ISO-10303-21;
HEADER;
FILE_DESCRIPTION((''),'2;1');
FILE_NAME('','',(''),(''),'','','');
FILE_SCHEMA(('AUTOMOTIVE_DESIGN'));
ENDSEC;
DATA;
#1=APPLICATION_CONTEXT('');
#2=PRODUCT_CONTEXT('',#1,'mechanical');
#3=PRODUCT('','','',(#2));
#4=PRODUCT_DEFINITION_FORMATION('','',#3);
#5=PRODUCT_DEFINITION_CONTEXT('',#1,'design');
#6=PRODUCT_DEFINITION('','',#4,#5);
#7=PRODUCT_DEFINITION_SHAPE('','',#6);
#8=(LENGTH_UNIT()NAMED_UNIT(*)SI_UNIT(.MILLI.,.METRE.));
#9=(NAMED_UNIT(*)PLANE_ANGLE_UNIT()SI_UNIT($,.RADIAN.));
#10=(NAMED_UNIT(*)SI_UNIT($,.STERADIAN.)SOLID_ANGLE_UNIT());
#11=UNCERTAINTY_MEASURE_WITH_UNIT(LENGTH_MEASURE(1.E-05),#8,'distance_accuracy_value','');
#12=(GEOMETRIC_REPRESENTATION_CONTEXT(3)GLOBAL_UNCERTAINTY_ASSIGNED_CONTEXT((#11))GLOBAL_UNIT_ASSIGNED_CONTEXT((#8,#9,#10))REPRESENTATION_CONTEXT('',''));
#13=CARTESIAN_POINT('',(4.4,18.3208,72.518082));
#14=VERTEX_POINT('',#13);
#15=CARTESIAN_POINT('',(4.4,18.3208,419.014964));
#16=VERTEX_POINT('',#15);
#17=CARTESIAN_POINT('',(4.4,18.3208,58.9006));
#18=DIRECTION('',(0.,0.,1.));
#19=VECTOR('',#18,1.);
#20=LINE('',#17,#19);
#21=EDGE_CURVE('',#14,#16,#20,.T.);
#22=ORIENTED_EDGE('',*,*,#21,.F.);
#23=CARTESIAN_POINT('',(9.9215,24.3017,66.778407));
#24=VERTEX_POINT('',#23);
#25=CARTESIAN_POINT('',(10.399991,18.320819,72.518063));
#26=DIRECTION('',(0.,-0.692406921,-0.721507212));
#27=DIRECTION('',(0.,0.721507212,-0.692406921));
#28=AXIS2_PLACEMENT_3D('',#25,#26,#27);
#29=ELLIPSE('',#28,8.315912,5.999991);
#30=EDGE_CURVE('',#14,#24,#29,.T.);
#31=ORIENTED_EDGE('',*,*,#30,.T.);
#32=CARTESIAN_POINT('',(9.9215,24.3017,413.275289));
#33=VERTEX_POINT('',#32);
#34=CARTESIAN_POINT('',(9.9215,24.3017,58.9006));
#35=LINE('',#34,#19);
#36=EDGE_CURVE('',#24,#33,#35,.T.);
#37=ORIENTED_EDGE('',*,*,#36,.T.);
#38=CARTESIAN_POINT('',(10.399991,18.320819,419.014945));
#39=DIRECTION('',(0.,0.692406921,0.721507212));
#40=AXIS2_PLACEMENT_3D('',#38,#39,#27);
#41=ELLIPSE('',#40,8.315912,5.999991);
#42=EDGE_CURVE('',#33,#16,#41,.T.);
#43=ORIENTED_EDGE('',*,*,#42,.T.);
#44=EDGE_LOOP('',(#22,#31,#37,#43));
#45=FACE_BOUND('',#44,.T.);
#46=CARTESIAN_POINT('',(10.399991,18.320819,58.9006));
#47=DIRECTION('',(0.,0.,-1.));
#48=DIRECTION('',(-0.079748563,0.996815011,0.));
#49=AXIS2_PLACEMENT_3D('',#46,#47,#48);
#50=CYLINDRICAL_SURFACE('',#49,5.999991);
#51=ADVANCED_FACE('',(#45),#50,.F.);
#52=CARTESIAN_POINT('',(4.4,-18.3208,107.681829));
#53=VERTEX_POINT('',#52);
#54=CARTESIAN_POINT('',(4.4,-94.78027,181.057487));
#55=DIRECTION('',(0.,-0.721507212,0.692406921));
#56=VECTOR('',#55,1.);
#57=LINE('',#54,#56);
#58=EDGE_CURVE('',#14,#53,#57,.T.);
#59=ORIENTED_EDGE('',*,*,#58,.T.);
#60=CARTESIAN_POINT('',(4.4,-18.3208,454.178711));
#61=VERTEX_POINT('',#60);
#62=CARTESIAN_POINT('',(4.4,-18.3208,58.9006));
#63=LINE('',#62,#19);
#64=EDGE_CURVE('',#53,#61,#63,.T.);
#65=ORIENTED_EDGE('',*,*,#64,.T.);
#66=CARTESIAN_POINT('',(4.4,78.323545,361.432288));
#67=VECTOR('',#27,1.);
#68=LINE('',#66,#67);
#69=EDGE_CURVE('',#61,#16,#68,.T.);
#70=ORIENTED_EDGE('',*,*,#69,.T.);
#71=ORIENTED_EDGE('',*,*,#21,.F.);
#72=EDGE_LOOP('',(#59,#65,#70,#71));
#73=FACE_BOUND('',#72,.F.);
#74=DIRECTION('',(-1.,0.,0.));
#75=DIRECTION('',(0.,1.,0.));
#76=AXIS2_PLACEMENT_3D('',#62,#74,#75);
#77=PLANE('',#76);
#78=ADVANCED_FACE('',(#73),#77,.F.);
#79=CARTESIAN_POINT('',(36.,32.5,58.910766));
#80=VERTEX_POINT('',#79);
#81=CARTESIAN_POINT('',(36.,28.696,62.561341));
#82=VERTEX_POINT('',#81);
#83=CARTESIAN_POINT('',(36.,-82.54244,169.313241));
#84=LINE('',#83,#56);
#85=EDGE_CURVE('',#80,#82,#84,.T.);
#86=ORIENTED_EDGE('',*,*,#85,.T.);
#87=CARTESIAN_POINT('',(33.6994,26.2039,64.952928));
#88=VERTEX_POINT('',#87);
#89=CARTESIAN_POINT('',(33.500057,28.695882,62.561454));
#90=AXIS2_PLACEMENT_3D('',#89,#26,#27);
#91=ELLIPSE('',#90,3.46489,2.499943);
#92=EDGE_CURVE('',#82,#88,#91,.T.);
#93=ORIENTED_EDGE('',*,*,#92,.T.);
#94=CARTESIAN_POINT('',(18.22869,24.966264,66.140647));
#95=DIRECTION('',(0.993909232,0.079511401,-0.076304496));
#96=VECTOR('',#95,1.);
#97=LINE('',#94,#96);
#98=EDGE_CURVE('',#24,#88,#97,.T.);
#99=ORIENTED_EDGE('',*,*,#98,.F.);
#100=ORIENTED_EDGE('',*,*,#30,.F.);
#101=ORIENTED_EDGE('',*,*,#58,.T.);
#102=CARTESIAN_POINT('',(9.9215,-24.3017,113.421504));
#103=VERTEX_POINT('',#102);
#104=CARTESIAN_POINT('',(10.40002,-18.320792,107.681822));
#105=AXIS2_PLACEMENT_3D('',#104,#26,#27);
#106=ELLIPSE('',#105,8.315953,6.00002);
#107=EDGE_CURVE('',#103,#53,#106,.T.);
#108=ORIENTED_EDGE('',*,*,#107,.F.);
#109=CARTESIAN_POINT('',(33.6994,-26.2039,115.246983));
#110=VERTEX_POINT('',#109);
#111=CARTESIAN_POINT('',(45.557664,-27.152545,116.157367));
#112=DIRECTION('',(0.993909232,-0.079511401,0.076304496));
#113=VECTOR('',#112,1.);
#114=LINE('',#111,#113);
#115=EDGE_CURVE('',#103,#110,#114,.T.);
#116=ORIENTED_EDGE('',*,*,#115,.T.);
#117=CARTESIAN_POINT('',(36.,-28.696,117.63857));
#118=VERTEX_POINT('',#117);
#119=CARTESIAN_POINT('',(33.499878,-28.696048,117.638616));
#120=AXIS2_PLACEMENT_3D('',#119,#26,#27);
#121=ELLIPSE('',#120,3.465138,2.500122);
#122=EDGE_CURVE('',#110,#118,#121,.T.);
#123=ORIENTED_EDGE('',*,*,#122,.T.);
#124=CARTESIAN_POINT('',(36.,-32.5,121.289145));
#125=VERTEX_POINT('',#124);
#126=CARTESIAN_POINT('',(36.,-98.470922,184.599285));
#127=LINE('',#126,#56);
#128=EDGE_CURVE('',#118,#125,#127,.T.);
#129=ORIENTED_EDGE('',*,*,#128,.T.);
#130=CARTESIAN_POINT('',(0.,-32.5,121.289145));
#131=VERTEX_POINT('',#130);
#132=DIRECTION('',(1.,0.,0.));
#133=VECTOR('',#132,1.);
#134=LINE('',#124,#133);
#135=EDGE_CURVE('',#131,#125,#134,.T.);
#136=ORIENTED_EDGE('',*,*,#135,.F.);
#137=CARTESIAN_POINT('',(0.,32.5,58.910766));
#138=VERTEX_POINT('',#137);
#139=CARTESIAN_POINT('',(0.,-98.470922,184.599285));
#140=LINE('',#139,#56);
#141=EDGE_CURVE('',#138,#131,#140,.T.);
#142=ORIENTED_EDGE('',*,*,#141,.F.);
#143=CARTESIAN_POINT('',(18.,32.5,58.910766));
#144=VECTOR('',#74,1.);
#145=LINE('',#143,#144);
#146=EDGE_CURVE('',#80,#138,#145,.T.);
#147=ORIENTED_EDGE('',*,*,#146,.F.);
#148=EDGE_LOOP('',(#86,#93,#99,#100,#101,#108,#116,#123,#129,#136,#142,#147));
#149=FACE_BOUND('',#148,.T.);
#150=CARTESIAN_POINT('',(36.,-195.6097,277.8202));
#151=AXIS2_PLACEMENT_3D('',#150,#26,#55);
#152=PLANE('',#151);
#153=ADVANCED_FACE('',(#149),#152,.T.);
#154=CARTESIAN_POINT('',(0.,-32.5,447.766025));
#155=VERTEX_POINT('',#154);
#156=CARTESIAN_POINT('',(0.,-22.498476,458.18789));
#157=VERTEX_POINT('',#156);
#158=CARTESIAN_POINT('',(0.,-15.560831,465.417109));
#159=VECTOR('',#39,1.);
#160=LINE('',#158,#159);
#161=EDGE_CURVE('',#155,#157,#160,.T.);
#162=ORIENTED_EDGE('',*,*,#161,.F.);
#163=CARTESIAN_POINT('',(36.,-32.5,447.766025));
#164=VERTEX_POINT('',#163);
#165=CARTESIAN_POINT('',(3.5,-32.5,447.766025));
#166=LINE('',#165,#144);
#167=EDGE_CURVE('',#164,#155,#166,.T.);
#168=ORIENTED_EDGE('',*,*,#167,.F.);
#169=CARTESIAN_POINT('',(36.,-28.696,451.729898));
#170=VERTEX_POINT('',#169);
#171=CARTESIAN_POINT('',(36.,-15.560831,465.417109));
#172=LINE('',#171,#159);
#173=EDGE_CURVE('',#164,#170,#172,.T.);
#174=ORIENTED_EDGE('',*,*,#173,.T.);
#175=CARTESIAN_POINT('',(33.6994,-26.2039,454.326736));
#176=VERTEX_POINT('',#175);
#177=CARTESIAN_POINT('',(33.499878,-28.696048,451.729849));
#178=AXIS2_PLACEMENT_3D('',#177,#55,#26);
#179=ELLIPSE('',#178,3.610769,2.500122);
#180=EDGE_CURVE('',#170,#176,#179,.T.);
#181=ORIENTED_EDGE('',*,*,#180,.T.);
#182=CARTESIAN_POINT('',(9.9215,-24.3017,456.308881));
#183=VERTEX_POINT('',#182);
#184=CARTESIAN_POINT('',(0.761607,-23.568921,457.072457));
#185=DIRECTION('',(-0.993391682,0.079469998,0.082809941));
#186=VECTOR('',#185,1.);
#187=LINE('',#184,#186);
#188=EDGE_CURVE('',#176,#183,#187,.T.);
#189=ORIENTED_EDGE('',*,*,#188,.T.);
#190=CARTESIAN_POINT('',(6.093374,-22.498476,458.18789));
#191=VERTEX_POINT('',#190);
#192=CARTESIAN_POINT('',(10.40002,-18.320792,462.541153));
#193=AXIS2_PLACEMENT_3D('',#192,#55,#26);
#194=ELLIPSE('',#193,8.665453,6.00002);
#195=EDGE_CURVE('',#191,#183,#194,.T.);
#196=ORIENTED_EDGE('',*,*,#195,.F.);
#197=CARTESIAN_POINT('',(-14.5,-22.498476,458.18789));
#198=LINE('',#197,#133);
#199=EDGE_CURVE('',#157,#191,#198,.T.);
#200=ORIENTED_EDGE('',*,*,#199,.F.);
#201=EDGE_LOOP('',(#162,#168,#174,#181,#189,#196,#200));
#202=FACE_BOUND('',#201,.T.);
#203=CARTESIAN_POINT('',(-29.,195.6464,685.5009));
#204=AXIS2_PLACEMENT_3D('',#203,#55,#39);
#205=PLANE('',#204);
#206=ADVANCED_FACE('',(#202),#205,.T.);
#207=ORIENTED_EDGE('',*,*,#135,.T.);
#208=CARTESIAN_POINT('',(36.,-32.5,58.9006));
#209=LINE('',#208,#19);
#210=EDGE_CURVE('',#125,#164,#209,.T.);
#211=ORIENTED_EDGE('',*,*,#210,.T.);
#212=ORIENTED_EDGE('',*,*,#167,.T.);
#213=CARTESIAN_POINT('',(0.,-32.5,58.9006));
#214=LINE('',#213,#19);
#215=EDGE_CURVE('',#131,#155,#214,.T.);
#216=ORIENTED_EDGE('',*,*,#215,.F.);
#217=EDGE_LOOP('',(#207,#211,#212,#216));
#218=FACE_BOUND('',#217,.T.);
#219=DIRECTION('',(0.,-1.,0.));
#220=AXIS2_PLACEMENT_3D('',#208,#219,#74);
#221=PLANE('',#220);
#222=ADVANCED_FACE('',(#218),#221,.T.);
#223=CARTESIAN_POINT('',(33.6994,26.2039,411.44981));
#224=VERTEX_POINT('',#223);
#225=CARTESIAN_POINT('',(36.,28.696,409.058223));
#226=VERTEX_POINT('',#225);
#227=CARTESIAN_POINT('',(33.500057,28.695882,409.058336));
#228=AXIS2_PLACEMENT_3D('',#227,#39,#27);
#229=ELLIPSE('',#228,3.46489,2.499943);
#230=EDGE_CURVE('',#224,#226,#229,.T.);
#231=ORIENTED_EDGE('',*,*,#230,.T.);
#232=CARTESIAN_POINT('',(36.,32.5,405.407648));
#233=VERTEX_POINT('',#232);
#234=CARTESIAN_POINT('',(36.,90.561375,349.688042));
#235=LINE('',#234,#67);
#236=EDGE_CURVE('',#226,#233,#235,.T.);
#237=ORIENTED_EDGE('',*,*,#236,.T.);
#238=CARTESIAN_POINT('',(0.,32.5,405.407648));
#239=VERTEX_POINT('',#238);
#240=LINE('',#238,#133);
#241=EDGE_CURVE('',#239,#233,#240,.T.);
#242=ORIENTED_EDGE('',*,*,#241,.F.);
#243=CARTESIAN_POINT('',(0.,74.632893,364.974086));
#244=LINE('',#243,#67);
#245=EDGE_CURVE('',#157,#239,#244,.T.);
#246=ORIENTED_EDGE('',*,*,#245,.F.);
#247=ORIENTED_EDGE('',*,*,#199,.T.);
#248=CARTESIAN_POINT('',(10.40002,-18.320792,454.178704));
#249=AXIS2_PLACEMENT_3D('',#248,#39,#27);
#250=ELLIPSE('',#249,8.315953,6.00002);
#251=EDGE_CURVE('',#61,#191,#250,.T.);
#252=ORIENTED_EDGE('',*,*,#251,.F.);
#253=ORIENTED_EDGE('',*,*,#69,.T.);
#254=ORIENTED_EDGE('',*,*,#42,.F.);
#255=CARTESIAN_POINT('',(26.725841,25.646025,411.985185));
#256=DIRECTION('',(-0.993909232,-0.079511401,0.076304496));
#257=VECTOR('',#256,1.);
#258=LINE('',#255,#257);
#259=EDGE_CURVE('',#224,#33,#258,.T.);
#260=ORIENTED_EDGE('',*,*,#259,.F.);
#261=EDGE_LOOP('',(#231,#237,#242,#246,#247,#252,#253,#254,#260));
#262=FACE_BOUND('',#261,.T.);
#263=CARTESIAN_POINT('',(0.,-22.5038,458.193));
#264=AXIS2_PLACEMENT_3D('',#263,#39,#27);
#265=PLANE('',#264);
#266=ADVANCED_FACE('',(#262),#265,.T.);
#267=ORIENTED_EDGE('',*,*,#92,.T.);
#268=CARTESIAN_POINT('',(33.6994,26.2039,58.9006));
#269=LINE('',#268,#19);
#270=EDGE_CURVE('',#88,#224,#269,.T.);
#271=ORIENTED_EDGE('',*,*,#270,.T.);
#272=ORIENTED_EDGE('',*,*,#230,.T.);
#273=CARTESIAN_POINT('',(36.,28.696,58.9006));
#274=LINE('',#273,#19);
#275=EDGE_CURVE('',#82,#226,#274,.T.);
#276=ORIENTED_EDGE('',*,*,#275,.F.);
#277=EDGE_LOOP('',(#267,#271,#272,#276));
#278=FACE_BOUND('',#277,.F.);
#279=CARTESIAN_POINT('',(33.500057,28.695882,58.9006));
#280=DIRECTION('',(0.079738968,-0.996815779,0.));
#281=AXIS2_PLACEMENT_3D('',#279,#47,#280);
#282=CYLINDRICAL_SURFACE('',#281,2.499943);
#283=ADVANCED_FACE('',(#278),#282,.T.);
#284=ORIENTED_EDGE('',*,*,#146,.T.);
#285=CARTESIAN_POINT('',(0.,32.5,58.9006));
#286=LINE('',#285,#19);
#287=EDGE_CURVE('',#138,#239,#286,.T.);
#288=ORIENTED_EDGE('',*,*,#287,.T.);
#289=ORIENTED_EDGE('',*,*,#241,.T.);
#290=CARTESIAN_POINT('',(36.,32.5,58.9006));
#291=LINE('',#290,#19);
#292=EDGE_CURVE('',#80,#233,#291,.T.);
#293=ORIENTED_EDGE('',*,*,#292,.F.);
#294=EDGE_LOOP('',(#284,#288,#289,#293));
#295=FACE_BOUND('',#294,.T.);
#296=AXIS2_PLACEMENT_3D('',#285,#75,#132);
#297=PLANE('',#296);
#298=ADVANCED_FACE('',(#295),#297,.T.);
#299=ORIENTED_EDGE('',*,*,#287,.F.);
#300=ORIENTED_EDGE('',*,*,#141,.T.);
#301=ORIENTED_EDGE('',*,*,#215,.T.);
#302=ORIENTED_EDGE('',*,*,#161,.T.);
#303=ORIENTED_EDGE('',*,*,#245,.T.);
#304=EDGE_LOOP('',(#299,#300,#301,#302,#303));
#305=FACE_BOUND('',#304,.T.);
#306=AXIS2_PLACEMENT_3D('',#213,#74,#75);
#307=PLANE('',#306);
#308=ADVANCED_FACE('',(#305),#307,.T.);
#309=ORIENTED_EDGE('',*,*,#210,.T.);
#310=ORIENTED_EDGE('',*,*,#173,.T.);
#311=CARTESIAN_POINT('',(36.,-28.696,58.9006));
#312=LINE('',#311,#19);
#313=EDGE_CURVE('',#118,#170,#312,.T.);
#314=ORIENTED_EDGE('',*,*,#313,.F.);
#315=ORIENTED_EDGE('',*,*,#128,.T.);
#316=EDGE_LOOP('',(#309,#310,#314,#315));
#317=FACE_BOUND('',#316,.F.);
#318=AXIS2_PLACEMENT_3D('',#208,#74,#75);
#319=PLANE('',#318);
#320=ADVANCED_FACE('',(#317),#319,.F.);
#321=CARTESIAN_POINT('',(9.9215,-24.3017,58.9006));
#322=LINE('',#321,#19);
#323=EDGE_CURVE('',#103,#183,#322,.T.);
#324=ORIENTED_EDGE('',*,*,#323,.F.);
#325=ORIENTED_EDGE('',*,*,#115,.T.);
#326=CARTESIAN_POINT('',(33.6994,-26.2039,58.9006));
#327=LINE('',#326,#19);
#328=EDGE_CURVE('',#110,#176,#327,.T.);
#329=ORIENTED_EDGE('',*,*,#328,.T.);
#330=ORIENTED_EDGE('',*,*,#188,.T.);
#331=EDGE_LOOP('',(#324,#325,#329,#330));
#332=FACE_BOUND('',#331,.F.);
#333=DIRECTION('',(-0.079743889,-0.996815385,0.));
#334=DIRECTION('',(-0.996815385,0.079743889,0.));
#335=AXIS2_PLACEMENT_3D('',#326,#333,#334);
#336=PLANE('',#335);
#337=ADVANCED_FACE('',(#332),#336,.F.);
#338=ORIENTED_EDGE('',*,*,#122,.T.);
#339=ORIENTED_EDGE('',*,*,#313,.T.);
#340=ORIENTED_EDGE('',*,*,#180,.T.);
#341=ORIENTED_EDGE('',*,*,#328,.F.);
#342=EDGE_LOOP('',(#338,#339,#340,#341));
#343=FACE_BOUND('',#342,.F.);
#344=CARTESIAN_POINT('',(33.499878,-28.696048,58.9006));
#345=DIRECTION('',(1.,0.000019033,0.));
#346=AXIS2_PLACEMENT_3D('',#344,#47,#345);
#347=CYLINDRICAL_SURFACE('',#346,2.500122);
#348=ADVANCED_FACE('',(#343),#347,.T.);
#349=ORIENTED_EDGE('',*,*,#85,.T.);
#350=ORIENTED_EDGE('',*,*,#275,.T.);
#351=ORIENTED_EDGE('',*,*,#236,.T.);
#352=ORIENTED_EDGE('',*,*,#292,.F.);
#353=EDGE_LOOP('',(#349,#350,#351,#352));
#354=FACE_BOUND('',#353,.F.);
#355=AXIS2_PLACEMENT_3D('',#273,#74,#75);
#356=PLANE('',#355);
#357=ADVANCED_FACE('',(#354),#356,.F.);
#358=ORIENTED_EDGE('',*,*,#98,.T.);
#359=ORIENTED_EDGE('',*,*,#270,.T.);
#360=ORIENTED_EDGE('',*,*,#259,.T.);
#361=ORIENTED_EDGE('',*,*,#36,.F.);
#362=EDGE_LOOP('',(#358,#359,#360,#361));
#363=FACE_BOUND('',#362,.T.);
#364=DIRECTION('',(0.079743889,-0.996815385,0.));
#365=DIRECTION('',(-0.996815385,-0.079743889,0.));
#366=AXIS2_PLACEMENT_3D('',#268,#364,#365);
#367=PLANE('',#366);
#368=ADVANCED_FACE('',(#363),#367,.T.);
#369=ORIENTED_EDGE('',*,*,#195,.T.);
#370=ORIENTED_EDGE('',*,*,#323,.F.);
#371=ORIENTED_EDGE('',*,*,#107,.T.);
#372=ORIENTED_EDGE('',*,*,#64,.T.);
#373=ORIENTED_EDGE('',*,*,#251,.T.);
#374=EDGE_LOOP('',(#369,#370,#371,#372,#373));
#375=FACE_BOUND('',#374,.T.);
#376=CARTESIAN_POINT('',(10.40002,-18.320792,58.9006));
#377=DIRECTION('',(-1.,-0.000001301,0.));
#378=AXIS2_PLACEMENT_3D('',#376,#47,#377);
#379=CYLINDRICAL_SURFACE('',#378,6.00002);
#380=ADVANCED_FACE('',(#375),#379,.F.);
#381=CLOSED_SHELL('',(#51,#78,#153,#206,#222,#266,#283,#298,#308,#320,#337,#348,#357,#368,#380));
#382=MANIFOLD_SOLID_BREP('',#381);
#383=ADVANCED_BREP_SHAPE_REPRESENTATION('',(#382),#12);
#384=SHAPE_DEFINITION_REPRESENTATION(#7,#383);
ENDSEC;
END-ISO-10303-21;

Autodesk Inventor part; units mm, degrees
ref_plane "Начальная плоскость" through (0, 0, 58.9006) normal (0, 0, 1) x (1, 0, 0)
ref_plane "Конечная плоскость" through (0, 0, 458.193) normal (0, 0, 1) x (1, 0, 0)
sketch "Эскиз" plane through (0, 0, 0) normal (0, 0, 1) x (1, 0, 0)
  line L0 (36, -32.5) -> (0, -32.5)
  line L1 (36, -32.5) -> (36, -28.696)
  line L2 (33.6994, -26.2039) -> (9.9215, -24.3017)
  line L3 (4.4, -18.3208) -> (4.4, 18.3208)
  line L4 (33.6994, 26.2039) -> (9.9215, 24.3017)
  line L5 (36, 28.696) -> (36, 32.5)
  line L6 (0, 32.5) -> (36, 32.5)
  line L7 (0, -32.5) -> (0, 32.5)
  arc A0 (4.4, -18.3208) -> (9.9215, -24.3017) centre (10.4, -18.3208) ccw
  arc A1 (9.9215, 24.3017) -> (4.4, 18.3208) centre (10.4, 18.3208) ccw
  arc A2 (36, -28.696) -> (33.6994, -26.2039) centre (33.5, -28.696) ccw
  arc A3 (33.6994, 26.2039) -> (36, 28.696) centre (33.5, 28.696) ccw
  line L8 (0, 45.5) -> (0, -45.5) construction
  line L9 (-7.2974, 0) -> (43.7847, 0) construction
  point P0 (36, -26.388)
  point P1 (4.4, -23.86)
  point P2 (4.4, 23.86)
  point P3 (36, 26.388)
  dimension "d3" = 36
  dimension "d5" = 4.4
  dimension "d7" = 65
  dimension "d9" = 8.64
  dimension "d11" = 8.64
  dimension "d13" = 6.112
  dimension "d15" = 6.112
  dimension "d22" = 6
  dimension "d23" = 2.5
  dimension "d24" = 32.5
  dimension "d25" = 0
extrude "Тело" add sketch "Эскиз" along normal up to surface (399.2924 mm away) from surface at 58.9006
sketch "Sketch3" plane through (0, 0, 0) normal (0, 0, 1) x (1, 0, 0)
  line L0 (0, 0) -> (10, 0)
ref_plane "Work Plane7" through (0, 0, 0) normal (0, -1, 0) x (1, 0, 0)
sketch "Sketch4" plane through (0, 0, 0) normal (0, -1, 0) x (1, 0, 0)
  line L0 (-2, 58.9006) -> (12, 58.9006)
  line L1 (-2, 458.193) -> (12, 458.193)
  dimension "d29" = 399.2924
ref_plane "РабПлоскость8" through (36, -195.6097, 277.8202) normal (0, -0.6924, -0.7215) x (1, 0, 0)
split "Разделение1" plane through (36, -195.6097, 277.8202) removes the side toward (0, -0.6924, -0.7215)
ref_plane "РабПлоскость9" through (0, -22.5038, 458.193) normal (0, 0.6924, 0.7215) x (1, 0, 0)
split "Разделение2" plane through (0, -22.5038, 458.193) removes the side toward (0, 0.6924, 0.7215)
ref_plane "РабПлоскость10" through (-29, 195.6464, 685.5009) normal (0, -0.7215, 0.6924) x (1, 0, 0)
split "Разделение3" plane through (-29, 195.6464, 685.5009) removes the side toward (0, -0.7215, 0.6924)
equation "\"d3\" = b"
equation "\"d5\" = t1"
equation "\"d7\" = ParH"
equation "\"d9\" = msp_x1 + t2"
equation "\"d11\" = msp_x1 + t2"
equation "\"d13\" = -msp_x2 + t2"
equation "\"d15\" = -msp_x2 + t2"
equation "\"d22\" = R"
equation "\"d23\" = R1"
equation "\"d24\" = 0.5 * d7"
equation "\"d16\" = G_L"
equation "\"R1\" = 2.5"
equation "\"R\" = 6"
equation "\"t1\" = 4.4"
equation "\"t2\" = 7.2"
equation "\"ParH\" = 65"
equation "\"b\" = 36"
equation "\"msp_x1\" = 0.04 * b"
equation "\"msp_x2\" = -0.08 * t1 + 0.04 * b"
equation "\"G_L\" = d29"
equation "\"ex\" = 0"
equation "\"G_OFFSET_START\" = -58.90056"
equation "\"G_OFFSET_END\" = -23.44846"
equation "\"d26\" = -G_OFFSET_START"
equation "\"d27\" = G_OFFSET_END + B_L"
equation "\"B_L\" = 481.64146"
properties part number "Швеллер 6.5U-399,29 ГОСТ 8240-97" material "Сталь, мягкая"
